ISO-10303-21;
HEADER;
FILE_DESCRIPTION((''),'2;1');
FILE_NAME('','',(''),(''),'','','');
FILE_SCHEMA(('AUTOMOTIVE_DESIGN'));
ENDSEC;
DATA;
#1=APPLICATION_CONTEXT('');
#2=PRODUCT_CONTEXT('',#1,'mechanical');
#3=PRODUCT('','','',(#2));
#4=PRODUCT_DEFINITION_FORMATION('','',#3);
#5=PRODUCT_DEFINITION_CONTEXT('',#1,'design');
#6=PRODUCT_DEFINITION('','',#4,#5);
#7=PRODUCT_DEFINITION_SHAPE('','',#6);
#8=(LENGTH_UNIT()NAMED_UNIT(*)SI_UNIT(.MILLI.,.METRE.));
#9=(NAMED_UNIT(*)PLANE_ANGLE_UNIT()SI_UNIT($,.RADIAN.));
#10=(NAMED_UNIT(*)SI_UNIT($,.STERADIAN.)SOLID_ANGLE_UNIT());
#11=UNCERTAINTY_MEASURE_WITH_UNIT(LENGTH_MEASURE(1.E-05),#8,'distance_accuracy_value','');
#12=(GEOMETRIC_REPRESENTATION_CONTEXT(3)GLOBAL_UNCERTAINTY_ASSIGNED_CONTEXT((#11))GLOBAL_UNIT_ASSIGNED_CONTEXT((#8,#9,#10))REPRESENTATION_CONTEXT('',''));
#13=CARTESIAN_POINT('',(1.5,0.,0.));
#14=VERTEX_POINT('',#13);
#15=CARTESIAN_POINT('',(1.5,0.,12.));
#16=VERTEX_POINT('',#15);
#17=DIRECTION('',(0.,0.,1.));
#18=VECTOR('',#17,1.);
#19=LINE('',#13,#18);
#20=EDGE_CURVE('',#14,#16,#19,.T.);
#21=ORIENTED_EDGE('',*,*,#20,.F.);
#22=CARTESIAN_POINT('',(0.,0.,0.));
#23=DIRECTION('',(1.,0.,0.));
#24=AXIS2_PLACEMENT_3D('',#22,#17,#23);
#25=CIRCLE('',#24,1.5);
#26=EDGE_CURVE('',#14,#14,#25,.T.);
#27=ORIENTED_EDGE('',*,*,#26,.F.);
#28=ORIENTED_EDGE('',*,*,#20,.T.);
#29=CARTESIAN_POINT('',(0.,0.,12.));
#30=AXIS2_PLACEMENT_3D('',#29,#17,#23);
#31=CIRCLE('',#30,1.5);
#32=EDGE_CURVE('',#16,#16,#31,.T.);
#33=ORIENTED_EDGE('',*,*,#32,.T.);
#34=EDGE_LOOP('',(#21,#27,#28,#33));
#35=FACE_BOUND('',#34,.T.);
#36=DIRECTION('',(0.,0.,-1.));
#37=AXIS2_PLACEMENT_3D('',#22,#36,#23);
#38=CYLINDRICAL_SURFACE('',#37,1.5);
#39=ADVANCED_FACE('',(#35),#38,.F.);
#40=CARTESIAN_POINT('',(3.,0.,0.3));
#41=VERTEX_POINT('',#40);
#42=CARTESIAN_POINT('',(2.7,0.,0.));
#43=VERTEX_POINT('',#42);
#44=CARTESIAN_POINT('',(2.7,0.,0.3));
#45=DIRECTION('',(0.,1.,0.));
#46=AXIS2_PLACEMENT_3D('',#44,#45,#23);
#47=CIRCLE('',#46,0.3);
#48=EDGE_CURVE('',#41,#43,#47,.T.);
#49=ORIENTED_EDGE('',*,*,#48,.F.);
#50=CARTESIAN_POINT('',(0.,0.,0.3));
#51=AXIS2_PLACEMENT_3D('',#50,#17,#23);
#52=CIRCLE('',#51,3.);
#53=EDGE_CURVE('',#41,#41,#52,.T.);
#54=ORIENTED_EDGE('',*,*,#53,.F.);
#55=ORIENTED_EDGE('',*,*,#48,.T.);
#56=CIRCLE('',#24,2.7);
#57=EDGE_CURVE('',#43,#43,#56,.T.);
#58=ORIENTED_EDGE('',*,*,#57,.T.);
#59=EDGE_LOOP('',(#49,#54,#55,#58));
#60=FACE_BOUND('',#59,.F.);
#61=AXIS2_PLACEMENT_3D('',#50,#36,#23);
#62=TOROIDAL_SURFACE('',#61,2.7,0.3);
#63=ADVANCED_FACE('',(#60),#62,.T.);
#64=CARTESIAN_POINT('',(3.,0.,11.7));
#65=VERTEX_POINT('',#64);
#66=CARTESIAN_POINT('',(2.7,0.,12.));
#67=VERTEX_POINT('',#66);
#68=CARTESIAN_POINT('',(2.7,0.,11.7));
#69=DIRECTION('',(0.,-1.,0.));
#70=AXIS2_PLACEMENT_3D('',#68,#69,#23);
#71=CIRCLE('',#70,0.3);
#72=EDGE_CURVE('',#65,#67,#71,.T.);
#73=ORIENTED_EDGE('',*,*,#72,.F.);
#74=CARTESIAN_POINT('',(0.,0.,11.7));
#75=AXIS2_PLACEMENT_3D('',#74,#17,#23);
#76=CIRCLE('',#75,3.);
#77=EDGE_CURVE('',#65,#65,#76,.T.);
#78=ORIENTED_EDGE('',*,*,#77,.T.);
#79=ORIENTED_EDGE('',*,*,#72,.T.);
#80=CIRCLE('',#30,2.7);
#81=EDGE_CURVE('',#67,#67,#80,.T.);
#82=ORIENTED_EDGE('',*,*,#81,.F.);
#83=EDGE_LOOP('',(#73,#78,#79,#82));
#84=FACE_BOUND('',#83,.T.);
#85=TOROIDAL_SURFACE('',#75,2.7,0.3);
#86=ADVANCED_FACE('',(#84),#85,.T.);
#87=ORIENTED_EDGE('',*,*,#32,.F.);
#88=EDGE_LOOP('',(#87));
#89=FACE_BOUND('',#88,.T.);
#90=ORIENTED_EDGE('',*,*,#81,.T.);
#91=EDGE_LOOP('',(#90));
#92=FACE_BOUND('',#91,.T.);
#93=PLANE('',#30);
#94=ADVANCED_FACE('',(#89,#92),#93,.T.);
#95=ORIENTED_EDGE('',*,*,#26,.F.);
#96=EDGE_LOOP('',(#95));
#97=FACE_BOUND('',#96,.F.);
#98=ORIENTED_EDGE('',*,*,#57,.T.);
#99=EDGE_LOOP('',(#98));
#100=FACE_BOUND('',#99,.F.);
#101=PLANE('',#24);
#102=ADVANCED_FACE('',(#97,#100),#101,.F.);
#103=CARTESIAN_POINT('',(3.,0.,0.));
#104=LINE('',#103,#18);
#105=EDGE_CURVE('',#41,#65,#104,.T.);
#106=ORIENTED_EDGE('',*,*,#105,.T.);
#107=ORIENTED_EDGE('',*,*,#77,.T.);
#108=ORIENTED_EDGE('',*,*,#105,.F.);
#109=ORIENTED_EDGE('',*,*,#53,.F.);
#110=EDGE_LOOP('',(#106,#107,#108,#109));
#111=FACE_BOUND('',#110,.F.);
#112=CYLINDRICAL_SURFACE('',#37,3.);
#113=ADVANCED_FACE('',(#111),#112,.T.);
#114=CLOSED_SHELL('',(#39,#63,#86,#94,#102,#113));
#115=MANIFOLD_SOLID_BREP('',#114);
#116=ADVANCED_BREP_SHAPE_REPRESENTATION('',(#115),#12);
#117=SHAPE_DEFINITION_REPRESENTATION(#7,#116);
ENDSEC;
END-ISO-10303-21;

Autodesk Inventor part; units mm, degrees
ref_plane "YZ Plane" through (0, 0, 0) normal (1, 0, 0) x (0, 1, 0)
ref_plane "XZ Plane" through (0, 0, 0) normal (0, 1, 0) x (-1, 0, 0)
ref_plane "XY Plane" through (0, 0, 0) normal (0, 0, 1) x (1, 0, 0)
sketch "スケッチ1" plane through (0, 0, 0) normal (0, 0, 1) x (1, 0, 0)
  circle A0 centre (0, 0) radius 1.5
  circle A1 centre (0, 0) radius 3
  dimension "d0" = 3
  dimension "d1" = 6
extrude "押し出し1" add sketch "スケッチ1" along normal blind 12
fillet "フィレット1" radius 0.3 2 edges at (-3, 0, 12) (-3, 0, 0)
thread "ねじ1" size "M3x0.5" class "6H" standard "ANSI Metric M Profile" length 100
properties part number "スペーサーM3L12アルミ" material "アルミニウム 2014-T4"
